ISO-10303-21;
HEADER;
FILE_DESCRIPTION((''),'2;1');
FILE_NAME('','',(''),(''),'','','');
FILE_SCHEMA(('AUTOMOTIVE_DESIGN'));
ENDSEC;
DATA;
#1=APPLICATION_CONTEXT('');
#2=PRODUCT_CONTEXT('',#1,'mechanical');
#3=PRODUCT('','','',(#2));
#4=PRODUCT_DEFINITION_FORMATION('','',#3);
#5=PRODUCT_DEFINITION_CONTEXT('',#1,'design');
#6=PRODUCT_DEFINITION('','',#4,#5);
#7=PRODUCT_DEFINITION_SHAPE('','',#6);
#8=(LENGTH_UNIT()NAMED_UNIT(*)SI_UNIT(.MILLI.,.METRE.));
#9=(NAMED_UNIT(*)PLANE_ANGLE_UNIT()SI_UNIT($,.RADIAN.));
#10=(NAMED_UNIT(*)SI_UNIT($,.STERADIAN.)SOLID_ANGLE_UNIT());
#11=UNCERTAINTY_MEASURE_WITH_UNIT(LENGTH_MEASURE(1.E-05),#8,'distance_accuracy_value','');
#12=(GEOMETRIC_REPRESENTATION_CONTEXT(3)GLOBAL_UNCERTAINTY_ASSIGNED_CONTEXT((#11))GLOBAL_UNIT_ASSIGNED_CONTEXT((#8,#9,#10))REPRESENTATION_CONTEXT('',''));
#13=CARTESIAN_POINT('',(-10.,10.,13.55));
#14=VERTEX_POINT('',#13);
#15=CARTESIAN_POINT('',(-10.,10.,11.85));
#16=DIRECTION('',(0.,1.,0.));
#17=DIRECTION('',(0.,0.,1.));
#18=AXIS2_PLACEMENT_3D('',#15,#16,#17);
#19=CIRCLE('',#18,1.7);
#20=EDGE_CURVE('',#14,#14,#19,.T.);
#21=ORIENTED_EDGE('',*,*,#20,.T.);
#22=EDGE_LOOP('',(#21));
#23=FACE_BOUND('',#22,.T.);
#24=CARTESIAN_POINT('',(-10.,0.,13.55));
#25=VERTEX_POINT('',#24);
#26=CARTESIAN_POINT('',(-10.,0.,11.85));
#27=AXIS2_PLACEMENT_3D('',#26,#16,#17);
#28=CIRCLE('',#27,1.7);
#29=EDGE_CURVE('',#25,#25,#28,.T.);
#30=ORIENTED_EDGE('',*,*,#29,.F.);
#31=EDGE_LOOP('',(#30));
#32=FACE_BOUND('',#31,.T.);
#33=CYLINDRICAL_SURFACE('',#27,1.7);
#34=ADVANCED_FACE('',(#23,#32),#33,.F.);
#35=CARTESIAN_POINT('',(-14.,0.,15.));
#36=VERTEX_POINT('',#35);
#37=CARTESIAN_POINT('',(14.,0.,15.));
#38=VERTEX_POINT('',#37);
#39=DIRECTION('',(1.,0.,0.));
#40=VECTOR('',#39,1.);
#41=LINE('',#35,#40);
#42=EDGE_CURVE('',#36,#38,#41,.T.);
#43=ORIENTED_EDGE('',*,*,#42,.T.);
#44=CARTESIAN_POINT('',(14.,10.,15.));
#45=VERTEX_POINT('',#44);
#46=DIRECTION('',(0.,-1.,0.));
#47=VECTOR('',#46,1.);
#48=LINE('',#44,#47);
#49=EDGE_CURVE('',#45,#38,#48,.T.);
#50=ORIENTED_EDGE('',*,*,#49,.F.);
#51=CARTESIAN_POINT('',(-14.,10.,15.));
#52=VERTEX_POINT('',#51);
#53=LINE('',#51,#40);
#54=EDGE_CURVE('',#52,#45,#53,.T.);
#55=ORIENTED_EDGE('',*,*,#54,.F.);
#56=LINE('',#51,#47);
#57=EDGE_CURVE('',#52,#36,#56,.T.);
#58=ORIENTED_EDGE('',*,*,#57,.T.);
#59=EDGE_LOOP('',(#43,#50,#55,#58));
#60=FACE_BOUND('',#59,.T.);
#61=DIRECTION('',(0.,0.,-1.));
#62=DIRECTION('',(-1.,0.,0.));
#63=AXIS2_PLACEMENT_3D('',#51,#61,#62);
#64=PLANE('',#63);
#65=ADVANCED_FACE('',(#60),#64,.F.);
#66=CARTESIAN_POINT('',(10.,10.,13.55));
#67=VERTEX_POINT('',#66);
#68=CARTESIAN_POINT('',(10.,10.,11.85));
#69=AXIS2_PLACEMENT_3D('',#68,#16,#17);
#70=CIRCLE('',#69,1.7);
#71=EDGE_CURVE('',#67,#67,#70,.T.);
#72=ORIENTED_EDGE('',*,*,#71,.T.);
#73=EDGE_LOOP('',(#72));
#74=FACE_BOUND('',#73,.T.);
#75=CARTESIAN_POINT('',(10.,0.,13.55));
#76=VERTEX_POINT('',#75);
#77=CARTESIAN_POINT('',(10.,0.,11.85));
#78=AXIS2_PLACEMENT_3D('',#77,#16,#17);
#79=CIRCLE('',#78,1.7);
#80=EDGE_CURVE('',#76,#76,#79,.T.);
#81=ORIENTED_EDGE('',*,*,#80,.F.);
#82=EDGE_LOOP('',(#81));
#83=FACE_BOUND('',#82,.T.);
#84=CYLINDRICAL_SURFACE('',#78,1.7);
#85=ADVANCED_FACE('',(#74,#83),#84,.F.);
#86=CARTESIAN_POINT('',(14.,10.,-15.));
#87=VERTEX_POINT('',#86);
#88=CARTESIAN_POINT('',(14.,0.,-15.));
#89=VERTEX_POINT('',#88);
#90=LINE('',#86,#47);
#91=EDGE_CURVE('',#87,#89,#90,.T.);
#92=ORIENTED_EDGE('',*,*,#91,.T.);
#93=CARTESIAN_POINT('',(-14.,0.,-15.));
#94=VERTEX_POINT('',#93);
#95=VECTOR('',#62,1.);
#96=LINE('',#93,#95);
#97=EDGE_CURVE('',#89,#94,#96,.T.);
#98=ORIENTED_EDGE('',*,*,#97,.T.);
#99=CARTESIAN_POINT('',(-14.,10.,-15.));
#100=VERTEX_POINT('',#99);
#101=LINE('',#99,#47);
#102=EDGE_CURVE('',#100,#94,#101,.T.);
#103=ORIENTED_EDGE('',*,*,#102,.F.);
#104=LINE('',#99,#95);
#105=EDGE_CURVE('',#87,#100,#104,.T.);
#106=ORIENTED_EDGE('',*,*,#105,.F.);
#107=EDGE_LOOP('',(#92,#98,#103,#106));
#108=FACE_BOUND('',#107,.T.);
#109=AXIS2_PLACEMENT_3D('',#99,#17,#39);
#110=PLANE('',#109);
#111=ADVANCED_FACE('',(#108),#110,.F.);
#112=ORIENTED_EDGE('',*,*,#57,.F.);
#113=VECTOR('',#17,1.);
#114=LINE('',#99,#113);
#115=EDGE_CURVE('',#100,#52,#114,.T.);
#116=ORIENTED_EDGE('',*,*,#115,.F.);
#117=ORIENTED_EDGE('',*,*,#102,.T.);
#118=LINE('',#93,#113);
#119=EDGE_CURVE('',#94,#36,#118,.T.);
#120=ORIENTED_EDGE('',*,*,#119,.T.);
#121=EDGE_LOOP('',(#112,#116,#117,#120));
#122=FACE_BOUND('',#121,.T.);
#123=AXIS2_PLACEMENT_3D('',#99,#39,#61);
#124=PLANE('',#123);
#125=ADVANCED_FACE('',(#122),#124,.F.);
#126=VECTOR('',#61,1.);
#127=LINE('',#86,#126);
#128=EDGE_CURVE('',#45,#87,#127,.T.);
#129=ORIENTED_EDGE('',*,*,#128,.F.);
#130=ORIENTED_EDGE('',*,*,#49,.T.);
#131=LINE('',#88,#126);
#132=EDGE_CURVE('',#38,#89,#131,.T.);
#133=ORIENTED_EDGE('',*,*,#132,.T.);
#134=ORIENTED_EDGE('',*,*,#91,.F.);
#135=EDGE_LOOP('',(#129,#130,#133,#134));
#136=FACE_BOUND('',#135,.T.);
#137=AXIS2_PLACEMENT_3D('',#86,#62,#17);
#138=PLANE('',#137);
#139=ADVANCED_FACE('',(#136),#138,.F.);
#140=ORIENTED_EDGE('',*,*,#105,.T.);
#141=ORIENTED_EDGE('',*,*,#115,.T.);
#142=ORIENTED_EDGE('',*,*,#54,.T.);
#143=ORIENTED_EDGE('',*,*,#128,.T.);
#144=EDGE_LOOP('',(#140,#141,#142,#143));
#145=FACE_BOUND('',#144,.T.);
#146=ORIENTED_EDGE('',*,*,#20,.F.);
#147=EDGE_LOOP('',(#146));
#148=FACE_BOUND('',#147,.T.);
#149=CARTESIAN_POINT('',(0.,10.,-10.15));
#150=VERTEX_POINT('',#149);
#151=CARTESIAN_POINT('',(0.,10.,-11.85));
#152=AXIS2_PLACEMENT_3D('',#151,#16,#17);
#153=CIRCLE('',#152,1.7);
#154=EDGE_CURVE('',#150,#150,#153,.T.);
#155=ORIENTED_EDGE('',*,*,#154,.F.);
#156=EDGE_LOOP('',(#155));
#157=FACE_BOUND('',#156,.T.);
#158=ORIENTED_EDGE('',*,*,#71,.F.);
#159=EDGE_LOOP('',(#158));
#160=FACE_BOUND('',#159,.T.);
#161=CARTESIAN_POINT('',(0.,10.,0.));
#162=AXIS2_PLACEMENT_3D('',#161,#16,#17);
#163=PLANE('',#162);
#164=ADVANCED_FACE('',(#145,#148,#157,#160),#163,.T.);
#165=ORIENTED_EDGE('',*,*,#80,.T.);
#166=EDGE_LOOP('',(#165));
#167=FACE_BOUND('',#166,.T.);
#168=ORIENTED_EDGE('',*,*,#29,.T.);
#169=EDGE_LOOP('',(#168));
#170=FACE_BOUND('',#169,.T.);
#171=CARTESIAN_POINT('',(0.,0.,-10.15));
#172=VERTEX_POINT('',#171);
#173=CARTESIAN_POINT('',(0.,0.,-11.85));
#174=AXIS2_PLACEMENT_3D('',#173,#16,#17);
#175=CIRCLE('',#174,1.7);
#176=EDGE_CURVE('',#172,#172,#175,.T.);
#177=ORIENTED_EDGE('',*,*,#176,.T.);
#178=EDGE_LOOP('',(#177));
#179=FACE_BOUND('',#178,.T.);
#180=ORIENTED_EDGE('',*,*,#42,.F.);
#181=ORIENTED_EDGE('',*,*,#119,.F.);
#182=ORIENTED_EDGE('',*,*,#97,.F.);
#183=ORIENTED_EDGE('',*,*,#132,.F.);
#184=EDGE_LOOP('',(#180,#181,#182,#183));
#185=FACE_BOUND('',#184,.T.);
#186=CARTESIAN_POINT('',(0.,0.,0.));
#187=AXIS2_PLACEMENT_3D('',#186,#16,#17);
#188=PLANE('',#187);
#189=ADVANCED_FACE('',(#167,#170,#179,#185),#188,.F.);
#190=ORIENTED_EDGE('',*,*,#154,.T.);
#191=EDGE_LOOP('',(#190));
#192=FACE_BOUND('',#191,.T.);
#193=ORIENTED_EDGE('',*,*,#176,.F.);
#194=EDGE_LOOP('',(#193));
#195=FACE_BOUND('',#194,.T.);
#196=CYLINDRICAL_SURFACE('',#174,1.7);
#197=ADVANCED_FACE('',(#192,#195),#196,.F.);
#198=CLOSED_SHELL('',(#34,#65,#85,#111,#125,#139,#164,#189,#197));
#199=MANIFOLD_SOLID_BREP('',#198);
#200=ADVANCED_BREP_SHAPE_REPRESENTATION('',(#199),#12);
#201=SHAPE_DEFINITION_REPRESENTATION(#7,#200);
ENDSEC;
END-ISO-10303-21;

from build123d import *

# Parameters (mm, degrees)
SKETCH_1_W          = 28
SKETCH_1_H          = 30
EXTRUDE_1_DEPTH     = 10
SKETCH_2_R          = 1.7
CUT_EXTRUDE_1_DEPTH = 11


with BuildPart() as part:
    # 草图1 → 凸台-拉伸1 (new body)
    with BuildSketch(Plane(origin=(0, 0, 0), x_dir=(1, 0, 0), z_dir=(0, 1, 0))):
        Rectangle(SKETCH_1_W, SKETCH_1_H)
    extrude(amount=EXTRUDE_1_DEPTH)

    # 草图2 → 切除-拉伸1 (cut, through all)
    with BuildSketch(Plane(origin=(0, 10, 0), x_dir=(1, 0, 0), z_dir=(0, 1, 0))):
        with Locations((0, 11.85)):
            Circle(SKETCH_2_R)
        with Locations((-10, -11.85)):
            Circle(SKETCH_2_R)
        with Locations((10, -11.85)):
            Circle(SKETCH_2_R)
    extrude(amount=-CUT_EXTRUDE_1_DEPTH, mode=Mode.SUBTRACT)


solid = part.part
